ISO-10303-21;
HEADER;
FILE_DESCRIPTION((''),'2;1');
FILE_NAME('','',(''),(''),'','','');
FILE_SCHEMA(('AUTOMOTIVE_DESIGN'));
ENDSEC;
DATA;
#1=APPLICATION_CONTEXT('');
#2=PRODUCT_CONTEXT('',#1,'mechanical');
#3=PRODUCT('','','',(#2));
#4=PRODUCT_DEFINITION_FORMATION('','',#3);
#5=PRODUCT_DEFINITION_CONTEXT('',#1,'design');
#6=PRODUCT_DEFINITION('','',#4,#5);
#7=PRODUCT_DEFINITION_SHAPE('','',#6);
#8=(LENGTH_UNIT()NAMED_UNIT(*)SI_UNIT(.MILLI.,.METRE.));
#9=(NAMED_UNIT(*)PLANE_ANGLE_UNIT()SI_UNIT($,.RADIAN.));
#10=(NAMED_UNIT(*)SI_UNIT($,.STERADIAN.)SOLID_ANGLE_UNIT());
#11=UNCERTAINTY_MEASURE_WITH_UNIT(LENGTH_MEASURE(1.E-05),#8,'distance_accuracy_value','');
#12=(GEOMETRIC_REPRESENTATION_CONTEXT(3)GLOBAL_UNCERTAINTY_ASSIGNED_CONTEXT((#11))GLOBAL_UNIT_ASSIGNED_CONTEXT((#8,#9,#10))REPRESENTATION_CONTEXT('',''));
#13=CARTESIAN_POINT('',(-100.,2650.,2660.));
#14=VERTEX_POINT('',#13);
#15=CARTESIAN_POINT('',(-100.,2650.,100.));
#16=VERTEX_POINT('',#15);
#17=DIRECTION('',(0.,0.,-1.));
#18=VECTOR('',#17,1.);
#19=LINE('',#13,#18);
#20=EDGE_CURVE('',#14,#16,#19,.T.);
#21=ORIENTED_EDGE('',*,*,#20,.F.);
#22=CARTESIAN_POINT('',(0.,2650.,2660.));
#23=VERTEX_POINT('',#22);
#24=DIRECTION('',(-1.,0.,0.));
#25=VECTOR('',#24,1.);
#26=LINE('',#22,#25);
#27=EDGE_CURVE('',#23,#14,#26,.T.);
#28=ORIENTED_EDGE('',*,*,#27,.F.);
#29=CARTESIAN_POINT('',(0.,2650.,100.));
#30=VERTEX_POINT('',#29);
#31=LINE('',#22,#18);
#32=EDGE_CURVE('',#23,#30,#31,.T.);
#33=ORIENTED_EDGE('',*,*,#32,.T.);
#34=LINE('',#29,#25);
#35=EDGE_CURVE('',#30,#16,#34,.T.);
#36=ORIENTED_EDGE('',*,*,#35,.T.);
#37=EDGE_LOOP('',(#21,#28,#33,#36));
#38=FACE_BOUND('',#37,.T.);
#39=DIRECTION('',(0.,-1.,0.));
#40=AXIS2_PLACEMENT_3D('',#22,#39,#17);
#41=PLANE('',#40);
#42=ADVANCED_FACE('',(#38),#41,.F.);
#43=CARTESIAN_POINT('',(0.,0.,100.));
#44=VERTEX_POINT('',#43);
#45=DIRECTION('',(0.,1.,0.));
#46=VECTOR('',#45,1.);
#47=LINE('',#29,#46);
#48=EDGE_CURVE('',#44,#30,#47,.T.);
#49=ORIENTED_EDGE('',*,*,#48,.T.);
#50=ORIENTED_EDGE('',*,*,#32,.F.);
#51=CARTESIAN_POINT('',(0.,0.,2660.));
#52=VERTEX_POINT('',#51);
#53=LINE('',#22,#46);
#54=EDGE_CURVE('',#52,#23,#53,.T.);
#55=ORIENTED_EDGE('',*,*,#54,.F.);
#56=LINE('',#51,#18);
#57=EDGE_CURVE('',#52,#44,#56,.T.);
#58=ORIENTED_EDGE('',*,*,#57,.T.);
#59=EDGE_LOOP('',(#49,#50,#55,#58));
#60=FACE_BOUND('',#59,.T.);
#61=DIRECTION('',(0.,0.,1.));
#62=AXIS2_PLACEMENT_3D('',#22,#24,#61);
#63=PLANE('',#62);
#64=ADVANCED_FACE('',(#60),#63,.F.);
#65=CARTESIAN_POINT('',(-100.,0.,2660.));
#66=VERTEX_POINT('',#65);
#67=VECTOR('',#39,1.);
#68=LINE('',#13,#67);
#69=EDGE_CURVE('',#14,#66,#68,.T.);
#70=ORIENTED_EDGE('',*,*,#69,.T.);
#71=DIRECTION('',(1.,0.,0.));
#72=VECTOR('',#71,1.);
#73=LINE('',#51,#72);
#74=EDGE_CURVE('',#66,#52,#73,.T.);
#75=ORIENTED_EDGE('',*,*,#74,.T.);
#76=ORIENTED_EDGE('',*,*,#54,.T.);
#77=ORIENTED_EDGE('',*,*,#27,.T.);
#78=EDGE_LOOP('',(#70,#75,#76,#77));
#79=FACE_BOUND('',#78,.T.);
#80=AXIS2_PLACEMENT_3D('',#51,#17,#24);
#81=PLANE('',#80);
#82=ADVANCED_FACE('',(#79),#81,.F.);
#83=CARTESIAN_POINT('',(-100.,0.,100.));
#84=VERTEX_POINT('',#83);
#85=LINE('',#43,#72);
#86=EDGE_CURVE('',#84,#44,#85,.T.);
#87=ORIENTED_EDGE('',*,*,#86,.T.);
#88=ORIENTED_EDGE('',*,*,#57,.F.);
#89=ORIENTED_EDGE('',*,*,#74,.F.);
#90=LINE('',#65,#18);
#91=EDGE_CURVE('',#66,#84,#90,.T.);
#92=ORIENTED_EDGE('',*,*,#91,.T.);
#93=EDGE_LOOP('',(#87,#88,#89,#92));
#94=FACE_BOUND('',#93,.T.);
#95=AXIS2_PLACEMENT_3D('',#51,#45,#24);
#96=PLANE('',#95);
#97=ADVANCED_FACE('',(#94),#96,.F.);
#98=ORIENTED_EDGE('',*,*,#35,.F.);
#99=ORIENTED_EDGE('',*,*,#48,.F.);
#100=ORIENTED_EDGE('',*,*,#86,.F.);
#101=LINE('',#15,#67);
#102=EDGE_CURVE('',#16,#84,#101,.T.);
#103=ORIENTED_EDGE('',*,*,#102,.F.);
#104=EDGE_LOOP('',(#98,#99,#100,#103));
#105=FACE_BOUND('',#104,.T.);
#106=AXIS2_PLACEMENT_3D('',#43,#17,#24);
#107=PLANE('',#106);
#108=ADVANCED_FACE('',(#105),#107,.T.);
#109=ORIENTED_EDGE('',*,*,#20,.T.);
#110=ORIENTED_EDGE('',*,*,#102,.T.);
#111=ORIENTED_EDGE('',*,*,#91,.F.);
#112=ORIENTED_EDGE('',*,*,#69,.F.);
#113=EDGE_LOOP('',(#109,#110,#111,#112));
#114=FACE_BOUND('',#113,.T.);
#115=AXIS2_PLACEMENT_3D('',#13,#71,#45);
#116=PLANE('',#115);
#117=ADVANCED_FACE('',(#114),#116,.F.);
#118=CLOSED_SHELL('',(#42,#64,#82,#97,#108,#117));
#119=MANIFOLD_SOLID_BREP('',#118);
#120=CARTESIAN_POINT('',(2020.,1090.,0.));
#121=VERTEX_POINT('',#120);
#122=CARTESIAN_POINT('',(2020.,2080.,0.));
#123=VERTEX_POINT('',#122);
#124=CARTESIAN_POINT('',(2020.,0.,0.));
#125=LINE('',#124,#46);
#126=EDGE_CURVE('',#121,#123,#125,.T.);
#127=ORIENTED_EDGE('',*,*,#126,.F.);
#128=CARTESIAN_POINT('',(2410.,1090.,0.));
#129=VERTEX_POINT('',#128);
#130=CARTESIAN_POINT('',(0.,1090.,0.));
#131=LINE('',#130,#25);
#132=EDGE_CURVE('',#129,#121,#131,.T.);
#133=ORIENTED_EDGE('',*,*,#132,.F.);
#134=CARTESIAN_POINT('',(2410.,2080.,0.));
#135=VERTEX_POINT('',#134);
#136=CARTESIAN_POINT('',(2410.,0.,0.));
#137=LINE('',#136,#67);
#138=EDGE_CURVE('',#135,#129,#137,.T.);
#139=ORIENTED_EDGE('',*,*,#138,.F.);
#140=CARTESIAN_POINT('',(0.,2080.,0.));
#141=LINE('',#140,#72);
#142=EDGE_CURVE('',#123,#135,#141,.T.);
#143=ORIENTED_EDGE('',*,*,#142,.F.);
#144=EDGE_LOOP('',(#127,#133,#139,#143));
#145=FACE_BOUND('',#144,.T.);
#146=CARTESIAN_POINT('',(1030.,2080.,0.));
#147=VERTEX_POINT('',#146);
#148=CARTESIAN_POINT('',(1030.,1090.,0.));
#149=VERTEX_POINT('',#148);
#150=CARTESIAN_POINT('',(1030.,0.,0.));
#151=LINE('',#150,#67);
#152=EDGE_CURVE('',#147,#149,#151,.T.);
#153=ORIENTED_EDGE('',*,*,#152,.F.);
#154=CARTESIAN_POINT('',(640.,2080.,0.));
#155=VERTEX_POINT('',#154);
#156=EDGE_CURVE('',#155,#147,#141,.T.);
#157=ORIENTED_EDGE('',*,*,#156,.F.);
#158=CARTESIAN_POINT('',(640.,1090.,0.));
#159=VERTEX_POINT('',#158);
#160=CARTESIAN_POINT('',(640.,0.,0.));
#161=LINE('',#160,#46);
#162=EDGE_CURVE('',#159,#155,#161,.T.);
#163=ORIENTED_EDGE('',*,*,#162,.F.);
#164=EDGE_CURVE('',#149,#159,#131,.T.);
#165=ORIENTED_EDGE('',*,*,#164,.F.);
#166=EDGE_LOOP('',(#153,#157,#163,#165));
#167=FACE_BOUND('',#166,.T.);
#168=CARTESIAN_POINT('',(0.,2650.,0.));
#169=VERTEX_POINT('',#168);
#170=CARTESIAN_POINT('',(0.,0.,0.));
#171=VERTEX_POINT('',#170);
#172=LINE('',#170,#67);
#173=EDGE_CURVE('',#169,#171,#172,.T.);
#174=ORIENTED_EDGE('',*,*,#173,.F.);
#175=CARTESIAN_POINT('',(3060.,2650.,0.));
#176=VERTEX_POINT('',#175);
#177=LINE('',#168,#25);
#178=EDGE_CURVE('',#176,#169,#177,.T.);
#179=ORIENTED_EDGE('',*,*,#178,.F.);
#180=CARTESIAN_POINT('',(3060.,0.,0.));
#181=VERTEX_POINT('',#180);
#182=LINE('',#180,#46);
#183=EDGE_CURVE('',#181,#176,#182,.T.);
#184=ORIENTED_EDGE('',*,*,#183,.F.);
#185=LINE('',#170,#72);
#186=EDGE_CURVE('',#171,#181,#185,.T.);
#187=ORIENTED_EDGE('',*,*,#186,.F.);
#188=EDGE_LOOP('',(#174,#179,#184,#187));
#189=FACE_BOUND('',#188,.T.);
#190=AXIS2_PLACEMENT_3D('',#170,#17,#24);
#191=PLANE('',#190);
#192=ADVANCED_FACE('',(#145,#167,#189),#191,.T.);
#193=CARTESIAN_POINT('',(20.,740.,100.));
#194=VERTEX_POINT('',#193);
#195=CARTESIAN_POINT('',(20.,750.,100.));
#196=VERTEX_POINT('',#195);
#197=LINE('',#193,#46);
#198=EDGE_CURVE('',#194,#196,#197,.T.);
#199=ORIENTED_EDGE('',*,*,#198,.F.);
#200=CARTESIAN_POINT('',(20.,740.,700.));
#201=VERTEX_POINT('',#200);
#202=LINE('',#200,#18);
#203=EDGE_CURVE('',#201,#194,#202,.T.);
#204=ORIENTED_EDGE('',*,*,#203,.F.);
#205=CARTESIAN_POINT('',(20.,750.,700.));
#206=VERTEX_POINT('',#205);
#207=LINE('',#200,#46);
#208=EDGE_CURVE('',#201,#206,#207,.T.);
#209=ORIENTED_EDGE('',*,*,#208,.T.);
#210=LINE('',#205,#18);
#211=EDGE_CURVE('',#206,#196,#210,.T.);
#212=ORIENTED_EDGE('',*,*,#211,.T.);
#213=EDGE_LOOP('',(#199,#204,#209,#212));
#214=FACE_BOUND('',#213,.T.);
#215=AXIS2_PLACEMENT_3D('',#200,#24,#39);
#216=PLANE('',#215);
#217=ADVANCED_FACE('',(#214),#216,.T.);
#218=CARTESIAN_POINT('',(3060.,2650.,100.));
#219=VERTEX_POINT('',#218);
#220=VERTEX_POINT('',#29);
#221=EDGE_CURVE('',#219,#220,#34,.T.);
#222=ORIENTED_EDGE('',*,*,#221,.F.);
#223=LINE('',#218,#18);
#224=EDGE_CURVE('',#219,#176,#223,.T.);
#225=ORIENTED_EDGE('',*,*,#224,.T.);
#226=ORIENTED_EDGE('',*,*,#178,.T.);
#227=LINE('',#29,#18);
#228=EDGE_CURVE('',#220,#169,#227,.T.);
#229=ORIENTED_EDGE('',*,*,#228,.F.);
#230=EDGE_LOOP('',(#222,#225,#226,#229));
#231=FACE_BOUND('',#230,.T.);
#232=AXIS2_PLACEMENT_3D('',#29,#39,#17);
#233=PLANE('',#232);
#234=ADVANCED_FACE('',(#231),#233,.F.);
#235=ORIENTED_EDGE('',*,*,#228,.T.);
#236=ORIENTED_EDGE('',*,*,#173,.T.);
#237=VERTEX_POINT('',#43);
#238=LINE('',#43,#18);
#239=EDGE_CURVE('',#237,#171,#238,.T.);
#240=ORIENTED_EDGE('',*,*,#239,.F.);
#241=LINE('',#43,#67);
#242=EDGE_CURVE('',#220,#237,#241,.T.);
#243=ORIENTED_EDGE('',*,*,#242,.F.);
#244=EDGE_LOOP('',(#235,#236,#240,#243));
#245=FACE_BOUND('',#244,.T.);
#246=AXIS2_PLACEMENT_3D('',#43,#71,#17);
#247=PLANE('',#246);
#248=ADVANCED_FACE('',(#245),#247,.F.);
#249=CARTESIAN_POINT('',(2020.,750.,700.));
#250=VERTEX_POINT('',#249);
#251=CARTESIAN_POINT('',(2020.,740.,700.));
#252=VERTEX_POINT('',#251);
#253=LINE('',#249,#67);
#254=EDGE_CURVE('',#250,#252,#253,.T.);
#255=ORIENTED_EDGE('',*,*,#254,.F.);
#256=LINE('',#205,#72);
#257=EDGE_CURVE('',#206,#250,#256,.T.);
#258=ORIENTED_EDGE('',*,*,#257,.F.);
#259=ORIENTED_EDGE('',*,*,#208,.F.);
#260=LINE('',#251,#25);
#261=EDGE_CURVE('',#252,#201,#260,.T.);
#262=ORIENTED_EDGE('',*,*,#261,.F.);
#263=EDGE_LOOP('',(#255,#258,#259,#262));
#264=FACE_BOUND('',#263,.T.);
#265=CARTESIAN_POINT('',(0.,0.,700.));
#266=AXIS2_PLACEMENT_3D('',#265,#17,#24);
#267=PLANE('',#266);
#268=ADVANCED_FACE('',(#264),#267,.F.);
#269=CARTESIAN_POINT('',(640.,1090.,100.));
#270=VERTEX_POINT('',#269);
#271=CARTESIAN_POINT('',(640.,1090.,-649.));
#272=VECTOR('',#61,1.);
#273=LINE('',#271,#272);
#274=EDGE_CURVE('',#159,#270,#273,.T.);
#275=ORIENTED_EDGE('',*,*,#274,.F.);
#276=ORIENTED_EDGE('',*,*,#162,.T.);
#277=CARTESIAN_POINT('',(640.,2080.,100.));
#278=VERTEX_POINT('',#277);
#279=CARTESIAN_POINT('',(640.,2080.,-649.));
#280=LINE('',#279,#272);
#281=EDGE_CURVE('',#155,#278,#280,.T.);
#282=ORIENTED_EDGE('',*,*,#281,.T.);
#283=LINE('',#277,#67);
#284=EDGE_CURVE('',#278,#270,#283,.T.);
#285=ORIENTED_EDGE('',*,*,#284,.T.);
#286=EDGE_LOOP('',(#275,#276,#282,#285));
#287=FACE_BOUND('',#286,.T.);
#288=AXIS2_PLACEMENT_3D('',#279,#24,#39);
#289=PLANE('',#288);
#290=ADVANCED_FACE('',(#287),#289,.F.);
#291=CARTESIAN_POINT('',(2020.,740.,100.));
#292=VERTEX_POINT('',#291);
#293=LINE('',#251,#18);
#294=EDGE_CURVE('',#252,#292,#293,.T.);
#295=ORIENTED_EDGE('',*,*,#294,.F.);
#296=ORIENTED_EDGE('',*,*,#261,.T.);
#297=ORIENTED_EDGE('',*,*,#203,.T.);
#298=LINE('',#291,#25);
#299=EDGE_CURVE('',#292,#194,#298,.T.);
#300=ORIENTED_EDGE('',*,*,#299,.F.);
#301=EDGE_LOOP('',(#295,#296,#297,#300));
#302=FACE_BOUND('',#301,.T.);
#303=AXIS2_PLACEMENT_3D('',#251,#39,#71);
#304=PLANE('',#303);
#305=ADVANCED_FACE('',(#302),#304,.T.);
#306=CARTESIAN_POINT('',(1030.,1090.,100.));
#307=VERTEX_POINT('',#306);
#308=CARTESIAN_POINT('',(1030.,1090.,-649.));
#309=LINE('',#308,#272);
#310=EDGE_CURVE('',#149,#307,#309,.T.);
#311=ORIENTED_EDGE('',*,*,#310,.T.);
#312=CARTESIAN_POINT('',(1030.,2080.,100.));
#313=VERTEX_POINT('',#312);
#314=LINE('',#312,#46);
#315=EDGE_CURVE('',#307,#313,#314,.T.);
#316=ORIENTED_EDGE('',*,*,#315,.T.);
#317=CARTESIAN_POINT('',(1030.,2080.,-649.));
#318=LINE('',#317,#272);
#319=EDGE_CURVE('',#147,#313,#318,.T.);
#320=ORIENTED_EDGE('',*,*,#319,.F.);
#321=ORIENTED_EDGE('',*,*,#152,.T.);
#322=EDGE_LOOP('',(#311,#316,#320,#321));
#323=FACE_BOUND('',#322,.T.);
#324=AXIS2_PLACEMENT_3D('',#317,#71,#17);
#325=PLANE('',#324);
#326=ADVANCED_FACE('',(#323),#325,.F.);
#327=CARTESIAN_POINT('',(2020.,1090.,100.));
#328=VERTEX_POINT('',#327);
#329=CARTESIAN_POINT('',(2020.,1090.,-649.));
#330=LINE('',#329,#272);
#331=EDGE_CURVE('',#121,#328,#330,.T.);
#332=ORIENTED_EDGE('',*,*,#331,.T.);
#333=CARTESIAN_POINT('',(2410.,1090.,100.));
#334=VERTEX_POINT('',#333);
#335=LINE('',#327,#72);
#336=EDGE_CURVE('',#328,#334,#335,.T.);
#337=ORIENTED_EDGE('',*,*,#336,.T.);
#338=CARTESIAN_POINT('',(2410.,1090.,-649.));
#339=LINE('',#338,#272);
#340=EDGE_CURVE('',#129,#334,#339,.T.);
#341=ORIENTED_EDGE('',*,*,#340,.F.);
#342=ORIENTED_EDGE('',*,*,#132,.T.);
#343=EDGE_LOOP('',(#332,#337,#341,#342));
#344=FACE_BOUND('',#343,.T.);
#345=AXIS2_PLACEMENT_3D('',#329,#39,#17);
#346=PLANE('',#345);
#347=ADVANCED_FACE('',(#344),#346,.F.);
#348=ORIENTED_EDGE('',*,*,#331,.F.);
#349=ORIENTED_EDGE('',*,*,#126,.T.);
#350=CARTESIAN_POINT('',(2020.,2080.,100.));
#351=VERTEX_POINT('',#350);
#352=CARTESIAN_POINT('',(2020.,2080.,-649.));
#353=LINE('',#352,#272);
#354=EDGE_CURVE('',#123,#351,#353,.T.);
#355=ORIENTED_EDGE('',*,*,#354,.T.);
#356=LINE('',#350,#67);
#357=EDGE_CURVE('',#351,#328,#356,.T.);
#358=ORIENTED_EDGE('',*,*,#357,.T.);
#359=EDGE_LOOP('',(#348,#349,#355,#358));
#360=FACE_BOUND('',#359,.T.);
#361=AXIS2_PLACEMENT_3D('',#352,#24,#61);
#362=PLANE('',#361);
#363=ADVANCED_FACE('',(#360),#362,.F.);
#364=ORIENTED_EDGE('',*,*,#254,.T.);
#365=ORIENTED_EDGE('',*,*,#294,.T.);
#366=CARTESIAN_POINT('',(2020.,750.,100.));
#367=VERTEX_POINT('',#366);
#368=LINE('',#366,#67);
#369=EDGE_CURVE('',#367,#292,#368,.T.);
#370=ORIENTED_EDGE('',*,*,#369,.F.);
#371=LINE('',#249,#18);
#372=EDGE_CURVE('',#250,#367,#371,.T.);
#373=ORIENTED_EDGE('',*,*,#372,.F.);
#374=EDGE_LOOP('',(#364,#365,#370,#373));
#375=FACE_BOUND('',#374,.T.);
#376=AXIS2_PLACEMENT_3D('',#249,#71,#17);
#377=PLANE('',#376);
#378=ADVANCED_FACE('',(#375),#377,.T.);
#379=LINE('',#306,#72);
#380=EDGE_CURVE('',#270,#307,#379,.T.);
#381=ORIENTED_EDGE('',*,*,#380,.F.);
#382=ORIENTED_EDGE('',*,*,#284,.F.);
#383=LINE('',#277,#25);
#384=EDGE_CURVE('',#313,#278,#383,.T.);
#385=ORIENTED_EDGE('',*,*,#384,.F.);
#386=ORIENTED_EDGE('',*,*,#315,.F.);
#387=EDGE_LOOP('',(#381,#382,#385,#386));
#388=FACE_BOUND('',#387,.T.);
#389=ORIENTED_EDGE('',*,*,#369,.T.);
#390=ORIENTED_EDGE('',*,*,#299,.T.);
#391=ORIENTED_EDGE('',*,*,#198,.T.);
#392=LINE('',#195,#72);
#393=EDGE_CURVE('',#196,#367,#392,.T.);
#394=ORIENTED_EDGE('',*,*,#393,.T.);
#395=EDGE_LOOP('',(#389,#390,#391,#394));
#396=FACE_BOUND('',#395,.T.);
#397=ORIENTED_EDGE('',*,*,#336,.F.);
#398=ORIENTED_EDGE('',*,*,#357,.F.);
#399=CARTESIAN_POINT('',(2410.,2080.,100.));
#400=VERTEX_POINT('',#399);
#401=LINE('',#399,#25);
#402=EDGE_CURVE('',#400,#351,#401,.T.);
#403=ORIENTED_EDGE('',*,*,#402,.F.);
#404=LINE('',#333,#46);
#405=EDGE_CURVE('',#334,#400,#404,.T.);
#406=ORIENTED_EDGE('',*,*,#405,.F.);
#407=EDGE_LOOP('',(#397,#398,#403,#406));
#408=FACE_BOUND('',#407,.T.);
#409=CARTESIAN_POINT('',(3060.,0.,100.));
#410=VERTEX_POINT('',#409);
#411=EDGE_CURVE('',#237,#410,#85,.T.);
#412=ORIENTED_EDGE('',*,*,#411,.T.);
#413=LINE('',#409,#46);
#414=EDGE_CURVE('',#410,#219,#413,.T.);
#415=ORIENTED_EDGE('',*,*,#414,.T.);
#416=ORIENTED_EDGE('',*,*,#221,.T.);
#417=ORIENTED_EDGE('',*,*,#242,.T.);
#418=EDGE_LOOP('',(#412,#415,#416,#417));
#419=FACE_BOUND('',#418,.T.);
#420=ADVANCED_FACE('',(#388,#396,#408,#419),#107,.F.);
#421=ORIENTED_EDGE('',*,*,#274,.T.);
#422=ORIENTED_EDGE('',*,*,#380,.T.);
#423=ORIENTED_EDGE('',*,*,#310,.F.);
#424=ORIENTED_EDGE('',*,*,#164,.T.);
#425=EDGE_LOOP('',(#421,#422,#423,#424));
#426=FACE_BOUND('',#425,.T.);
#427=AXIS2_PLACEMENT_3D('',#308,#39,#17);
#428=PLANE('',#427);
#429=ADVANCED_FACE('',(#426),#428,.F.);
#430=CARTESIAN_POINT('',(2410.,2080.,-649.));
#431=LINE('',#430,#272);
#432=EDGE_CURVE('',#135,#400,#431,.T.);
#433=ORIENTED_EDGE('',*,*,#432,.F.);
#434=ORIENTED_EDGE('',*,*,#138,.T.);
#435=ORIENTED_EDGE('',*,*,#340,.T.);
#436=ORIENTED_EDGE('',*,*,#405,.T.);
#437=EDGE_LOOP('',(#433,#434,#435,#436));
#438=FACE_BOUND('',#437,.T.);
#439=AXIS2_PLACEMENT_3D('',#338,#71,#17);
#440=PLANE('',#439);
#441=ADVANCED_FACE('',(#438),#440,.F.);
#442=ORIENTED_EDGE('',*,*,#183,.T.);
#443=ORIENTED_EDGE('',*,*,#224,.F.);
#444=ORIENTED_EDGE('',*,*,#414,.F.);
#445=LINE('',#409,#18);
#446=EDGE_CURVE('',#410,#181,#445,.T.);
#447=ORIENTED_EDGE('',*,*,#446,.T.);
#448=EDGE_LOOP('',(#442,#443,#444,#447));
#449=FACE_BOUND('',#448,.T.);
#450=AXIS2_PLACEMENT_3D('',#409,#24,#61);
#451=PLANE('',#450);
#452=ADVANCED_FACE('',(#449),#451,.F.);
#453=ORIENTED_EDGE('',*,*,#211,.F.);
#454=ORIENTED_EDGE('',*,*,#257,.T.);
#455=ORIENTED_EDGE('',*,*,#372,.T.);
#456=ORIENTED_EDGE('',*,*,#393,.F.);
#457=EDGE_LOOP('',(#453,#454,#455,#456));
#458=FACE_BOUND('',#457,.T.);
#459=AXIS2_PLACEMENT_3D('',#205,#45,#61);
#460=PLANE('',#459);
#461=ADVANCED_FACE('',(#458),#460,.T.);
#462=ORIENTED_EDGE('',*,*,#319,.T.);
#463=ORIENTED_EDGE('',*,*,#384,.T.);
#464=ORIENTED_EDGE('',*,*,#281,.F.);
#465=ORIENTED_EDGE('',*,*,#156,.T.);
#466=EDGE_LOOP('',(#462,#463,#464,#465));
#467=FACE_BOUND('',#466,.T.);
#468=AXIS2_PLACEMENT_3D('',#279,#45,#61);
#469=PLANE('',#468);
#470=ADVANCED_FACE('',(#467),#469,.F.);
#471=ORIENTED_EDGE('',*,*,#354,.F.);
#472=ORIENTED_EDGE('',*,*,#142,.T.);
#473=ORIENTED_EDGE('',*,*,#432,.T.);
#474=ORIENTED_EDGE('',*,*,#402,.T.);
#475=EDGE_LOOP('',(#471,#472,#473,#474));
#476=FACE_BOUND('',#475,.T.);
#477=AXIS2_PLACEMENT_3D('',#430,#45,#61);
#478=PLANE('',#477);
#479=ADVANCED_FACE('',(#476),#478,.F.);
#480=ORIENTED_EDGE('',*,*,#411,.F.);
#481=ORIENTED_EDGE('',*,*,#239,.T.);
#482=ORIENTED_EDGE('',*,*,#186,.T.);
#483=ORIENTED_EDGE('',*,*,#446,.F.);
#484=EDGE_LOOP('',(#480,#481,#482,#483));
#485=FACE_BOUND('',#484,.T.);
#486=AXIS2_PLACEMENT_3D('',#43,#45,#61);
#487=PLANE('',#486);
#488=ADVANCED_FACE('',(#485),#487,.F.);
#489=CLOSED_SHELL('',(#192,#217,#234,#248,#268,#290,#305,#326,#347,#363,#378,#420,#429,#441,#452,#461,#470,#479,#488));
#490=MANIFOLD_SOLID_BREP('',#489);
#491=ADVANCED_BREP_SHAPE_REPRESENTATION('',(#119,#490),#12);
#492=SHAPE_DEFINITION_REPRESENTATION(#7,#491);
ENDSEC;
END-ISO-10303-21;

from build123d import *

# Parameters (mm, degrees)
ESBO_O6_W                = 3060
ESBO_O6_H                = 2650
RESSALTO_EXTRUS_O2_DEPTH = 100
ESBO_O7_W                = 390
ESBO_O7_H                = 990
CORTE_EXTRUS_O1_DEPTH    = 749
ESBO_O8_W                = 100
ESBO_O8_H                = 2650
RESSALTO_EXTRUS_O3_DEPTH = 2560
ESBO_O14_W               = 2000
ESBO_O14_H               = 10
RESSALTO_EXTRUS_O5_DEPTH = 600


with BuildPart() as part:
    # Esboço6 → Ressalto-extrusão2 (new body)
    with BuildSketch(Plane.XY):
        with Locations((1530, 1325)):
            Rectangle(ESBO_O6_W, ESBO_O6_H)
    extrude(amount=RESSALTO_EXTRUS_O2_DEPTH)

    # Esboço7 → Corte-extrusão1 (cut)
    with BuildSketch(Plane.XY.offset(100)):
        with Locations((2215, 1585)):
            Rectangle(ESBO_O7_W, ESBO_O7_H)
        with Locations((835, 1585)):
            Rectangle(ESBO_O7_W, ESBO_O7_H)
    extrude(amount=-CORTE_EXTRUS_O1_DEPTH, mode=Mode.SUBTRACT)

    # Esboço14 → Ressalto-extrusão5 (add)
    with BuildSketch(Plane.XY.offset(100)):
        with Locations((1020, 745)):
            Rectangle(ESBO_O14_W, ESBO_O14_H)
    extrude(amount=RESSALTO_EXTRUS_O5_DEPTH)


with BuildPart() as body_2:
    # Esboço8 → Ressalto-extrusão3 (new body)
    with BuildSketch(Plane.XY.offset(100)):
        with Locations((-50, 1325)):
            Rectangle(ESBO_O8_W, ESBO_O8_H)
    extrude(amount=RESSALTO_EXTRUS_O3_DEPTH)


solid = Compound([part.part, body_2.part])
